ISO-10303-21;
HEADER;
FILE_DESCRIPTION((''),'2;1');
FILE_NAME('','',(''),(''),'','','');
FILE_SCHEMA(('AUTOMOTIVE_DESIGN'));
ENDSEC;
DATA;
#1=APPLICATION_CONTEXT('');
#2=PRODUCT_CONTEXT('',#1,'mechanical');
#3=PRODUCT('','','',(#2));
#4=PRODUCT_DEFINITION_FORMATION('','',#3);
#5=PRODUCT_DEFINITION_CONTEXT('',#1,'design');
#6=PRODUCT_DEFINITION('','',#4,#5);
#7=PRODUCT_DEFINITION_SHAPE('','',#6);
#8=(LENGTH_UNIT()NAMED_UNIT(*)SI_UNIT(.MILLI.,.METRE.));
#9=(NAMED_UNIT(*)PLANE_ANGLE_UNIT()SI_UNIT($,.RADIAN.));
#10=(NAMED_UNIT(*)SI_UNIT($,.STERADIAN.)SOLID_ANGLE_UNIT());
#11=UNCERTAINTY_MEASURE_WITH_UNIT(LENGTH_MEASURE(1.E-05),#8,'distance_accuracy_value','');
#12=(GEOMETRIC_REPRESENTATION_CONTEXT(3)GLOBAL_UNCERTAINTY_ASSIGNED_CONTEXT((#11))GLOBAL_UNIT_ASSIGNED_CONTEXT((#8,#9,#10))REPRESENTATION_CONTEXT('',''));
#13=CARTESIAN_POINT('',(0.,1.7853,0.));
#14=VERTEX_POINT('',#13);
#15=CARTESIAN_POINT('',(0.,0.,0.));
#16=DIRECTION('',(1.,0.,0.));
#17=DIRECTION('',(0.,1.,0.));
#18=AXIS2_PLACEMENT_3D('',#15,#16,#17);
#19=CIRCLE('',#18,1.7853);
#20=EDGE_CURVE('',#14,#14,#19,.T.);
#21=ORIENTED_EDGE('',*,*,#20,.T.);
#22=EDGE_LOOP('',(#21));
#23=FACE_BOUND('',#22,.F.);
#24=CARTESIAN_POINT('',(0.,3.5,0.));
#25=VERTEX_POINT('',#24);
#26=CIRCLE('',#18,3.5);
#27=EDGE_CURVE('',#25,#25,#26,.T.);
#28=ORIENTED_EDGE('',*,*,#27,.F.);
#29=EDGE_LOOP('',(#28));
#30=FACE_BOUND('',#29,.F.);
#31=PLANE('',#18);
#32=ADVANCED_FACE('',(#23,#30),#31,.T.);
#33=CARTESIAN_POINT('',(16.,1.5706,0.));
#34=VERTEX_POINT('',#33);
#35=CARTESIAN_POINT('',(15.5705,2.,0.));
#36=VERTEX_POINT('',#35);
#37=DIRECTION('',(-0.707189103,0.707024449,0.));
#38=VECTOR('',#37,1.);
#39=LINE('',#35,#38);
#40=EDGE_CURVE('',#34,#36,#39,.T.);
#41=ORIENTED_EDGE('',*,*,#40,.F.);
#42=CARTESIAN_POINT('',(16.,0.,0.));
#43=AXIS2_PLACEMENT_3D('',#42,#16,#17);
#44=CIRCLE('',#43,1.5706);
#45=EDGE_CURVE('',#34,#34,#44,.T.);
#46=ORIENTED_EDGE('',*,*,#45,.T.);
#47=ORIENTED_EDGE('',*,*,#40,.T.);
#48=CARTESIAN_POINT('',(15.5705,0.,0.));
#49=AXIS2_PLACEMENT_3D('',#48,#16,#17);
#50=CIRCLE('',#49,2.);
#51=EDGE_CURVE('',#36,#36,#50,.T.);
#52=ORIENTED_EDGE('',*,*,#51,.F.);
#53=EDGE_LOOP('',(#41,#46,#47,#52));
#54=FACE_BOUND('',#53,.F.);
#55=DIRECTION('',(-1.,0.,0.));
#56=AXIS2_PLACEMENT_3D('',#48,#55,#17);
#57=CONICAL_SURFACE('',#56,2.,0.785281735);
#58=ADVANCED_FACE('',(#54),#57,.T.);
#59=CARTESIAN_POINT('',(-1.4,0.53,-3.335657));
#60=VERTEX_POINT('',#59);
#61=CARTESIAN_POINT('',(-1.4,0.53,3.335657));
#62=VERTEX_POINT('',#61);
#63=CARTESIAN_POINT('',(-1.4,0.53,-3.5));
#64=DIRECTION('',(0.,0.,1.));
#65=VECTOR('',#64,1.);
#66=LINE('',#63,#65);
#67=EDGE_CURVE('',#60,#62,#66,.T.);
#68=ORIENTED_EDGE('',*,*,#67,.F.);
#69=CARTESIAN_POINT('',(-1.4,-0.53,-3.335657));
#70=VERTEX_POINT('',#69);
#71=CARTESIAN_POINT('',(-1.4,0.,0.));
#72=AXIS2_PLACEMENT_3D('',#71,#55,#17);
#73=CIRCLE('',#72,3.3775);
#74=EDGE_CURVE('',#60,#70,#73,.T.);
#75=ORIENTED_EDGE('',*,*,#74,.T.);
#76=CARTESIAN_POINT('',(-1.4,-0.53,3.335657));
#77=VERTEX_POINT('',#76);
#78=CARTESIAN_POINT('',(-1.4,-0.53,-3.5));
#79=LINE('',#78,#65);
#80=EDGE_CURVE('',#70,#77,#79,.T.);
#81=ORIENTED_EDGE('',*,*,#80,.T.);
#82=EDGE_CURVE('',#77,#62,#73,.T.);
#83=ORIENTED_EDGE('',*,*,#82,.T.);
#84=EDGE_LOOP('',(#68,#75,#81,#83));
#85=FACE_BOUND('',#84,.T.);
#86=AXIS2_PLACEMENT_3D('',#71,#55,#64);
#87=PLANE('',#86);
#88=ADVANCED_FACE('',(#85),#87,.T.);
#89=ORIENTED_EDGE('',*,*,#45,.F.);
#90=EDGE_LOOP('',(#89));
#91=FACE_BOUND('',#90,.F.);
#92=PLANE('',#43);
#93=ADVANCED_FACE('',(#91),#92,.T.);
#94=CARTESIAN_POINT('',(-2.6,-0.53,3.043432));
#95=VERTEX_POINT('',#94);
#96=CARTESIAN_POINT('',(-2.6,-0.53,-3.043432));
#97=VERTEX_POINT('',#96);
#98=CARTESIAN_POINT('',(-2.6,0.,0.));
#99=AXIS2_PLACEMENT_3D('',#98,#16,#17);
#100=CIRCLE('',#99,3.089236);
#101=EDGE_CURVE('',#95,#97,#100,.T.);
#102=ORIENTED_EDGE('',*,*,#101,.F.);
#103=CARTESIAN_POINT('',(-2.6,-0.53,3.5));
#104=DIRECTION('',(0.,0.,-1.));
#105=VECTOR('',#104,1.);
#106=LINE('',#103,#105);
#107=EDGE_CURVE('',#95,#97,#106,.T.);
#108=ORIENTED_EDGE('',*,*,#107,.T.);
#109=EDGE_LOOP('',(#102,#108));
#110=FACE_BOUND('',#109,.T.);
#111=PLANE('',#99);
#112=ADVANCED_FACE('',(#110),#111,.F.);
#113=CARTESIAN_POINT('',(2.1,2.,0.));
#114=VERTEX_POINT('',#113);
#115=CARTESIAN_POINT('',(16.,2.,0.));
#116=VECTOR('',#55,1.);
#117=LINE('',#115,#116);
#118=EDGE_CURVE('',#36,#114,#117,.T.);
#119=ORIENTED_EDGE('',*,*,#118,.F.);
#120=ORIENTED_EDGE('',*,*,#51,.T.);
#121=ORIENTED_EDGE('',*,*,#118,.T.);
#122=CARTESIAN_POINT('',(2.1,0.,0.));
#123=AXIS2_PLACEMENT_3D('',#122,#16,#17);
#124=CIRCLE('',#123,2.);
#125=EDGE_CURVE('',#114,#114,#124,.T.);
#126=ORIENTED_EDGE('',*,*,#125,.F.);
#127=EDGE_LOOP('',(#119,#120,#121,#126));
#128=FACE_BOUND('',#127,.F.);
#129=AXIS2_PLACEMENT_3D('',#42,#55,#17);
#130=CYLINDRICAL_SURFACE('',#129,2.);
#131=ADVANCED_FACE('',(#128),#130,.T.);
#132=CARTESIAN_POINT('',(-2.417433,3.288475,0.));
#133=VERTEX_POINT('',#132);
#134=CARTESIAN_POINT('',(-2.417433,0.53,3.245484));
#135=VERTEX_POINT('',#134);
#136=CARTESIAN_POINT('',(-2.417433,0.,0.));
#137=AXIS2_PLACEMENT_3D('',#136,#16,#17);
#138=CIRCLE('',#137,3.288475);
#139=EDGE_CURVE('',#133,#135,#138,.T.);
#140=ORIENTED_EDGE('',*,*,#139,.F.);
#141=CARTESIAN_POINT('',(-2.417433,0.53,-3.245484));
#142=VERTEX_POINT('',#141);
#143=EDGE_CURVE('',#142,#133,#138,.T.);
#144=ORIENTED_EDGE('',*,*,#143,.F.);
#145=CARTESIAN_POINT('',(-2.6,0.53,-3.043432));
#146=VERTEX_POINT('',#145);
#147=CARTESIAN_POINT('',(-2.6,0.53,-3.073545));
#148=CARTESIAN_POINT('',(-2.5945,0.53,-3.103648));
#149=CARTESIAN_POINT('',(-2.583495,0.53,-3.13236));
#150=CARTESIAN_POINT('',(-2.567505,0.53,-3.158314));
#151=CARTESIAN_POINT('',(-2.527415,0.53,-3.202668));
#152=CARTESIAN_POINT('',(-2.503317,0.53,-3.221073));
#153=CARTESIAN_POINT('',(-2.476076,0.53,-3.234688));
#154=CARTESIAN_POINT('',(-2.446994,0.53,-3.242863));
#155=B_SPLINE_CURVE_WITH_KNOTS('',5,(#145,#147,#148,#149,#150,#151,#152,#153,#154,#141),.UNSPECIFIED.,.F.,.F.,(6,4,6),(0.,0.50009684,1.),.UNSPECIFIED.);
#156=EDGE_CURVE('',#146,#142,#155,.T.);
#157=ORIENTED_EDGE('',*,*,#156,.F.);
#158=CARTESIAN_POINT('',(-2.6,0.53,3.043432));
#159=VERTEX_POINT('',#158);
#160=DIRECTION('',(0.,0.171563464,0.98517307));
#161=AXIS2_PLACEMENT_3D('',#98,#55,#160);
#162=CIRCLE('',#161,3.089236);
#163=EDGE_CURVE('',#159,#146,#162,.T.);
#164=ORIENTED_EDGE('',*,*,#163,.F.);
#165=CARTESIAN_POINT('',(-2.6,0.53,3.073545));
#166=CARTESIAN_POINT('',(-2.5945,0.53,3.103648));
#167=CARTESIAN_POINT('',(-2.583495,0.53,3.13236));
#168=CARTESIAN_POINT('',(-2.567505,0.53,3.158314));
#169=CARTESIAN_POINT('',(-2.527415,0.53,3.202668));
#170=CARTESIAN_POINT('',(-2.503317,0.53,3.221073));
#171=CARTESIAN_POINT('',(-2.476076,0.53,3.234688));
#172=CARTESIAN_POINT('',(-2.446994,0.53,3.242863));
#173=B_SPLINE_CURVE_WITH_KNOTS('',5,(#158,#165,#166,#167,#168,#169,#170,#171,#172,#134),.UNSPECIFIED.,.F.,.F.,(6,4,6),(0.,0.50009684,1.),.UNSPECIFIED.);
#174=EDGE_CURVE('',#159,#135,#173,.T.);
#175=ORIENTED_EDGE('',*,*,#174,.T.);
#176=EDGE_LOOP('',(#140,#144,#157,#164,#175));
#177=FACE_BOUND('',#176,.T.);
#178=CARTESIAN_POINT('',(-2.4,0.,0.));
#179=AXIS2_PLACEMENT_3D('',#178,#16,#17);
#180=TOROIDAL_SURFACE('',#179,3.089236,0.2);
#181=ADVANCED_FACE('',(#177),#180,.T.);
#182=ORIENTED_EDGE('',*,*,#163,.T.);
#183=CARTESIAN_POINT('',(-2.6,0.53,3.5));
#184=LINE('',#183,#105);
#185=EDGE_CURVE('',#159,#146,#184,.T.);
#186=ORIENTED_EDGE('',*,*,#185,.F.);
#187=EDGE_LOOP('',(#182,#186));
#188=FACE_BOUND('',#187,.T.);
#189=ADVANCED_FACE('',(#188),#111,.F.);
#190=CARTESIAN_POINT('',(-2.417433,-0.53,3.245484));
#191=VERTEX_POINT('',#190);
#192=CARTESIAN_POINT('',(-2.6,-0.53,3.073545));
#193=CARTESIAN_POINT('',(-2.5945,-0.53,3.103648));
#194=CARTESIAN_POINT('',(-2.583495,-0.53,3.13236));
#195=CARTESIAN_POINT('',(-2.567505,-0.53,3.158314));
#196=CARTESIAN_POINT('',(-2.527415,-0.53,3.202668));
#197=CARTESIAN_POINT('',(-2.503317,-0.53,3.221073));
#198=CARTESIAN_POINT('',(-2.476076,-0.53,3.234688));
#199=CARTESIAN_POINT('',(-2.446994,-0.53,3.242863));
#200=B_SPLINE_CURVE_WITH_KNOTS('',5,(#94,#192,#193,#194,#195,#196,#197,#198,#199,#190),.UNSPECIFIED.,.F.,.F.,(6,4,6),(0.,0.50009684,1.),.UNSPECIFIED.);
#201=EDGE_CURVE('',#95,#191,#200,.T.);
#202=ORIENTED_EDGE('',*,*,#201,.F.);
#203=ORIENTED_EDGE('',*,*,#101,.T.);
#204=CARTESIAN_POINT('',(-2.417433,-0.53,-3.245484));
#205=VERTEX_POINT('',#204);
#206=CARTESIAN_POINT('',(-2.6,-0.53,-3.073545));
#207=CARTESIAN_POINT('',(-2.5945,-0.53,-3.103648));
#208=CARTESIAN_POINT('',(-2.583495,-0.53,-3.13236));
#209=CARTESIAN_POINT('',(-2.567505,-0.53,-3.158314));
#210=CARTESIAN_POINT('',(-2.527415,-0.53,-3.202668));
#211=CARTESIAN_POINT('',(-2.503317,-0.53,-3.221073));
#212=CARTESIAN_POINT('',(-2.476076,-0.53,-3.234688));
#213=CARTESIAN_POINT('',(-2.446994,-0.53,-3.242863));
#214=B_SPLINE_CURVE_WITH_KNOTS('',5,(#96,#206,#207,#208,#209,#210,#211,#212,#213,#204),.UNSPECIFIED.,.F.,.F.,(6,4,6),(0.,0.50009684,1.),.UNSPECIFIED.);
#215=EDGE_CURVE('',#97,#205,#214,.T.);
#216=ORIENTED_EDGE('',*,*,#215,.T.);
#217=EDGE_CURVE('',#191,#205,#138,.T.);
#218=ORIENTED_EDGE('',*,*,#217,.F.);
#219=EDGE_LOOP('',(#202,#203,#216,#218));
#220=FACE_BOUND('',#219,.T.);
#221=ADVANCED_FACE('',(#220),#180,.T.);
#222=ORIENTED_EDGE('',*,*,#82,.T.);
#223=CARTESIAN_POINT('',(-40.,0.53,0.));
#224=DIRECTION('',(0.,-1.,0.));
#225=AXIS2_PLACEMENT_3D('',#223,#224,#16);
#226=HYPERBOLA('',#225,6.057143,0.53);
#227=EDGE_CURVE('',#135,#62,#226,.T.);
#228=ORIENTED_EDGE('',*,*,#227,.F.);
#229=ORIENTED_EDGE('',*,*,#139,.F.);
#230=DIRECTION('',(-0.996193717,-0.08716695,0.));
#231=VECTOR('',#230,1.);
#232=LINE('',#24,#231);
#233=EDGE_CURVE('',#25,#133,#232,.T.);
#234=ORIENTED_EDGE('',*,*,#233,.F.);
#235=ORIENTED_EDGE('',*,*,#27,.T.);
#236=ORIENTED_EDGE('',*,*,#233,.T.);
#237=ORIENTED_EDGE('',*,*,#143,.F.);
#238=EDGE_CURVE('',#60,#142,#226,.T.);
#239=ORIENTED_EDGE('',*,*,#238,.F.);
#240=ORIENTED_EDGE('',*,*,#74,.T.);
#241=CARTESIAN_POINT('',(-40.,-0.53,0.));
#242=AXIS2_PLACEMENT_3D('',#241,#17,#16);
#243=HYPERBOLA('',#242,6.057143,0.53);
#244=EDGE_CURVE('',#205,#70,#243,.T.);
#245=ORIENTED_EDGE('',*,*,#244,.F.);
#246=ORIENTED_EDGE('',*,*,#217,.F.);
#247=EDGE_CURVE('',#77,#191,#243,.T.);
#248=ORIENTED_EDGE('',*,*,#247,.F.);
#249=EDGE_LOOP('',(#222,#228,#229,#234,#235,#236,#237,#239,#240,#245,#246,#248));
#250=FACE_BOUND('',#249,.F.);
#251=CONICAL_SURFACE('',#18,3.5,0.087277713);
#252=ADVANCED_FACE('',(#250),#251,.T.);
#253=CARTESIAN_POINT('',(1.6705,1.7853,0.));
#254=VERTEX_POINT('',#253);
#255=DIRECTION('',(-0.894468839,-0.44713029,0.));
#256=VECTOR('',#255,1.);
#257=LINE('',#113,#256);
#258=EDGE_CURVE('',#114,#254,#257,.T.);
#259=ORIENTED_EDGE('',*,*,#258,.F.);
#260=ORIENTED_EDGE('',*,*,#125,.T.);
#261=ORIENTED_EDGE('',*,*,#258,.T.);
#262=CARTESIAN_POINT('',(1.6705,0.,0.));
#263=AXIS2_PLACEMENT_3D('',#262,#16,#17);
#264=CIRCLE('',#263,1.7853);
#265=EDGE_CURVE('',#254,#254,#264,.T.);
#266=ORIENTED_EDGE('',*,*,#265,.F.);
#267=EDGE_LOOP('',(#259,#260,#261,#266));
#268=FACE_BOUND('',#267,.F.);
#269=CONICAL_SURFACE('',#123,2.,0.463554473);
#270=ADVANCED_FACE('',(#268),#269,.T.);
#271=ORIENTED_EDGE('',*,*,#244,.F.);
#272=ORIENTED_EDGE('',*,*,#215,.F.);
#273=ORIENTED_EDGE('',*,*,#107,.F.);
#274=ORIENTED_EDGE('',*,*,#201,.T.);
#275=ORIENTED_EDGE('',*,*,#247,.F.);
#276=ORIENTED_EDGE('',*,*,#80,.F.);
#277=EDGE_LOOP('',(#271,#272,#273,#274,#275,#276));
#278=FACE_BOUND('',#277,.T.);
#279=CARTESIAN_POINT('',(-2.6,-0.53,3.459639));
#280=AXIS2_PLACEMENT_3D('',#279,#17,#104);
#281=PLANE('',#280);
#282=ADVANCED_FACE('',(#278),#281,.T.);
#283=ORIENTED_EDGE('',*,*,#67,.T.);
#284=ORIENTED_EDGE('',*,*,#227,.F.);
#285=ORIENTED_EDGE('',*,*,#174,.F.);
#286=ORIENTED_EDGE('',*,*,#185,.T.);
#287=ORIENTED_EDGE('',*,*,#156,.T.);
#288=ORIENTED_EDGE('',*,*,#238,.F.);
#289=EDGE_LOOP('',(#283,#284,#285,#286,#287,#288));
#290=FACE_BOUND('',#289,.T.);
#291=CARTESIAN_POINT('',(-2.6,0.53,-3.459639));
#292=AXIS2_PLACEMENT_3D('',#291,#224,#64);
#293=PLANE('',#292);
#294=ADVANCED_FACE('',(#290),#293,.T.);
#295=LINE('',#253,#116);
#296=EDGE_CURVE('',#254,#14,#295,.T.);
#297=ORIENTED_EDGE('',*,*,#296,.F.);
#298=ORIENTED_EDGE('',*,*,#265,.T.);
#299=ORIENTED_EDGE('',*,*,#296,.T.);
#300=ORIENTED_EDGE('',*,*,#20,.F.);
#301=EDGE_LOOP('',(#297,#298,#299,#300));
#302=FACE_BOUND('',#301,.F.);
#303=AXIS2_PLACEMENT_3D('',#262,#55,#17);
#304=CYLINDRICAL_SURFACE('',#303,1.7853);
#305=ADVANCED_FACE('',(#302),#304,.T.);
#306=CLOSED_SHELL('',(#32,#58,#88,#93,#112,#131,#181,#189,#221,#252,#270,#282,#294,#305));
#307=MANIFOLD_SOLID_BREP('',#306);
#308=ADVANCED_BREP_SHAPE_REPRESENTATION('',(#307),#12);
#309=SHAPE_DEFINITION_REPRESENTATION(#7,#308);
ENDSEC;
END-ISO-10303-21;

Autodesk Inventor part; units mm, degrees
ref_plane "YZ Plane" through (0, 0, 0) normal (1, 0, 0) x (0, 1, 0)
ref_plane "XZ Plane" through (0, 0, 0) normal (0, 1, 0) x (-1, 0, 0)
sketch "Эскиз1" plane through (0, 0, 0) normal (0, 0, 1) x (1, 0, 0)
  line L0 (-2.6, 0) -> (16, 0)
  line L1 (16, 0) -> (16, 2)
  line L2 (16, 2) -> (2.1, 2)
  line L3 (2.1, 2) -> (1.6705, 1.7853)
  line L4 (1.6705, 1.7853) -> (0, 1.7853)
  line L5 (0, 1.7853) -> (0, 3.5)
  line L6 (-6.32, 0) -> (19.72, 0) projected
  line L7 (0, -0.7) -> (0, 4.2) projected
  line L8 (-2.6, 0) -> (-2.6, 3.2725)
  line L9 (0, 3.5) -> (-2.6, 3.2725)
  line L10 (2.1, 2) -> (0, 2) construction
  dimension "d0" = 16
  dimension "d1" = 13.9
  dimension "d2" = 0.4295
  dimension "d3" = 2.6
  dimension "d4" = 4
  dimension "d5" = 3.5705
  dimension "d9" = 7
  dimension "d10" = 5
revolve "Базовый элемент" add sketch "Эскиз1" angle 360 about axis through (-2.6, 0, 0) along (1, 0, 0)
sketch "Эскиз2" plane through (-2.6, 0, 0) normal (-1, 0, 0) x (0, 0, 1)
  circle A0 centre (0, 0) radius 3.5 projected
  line L0 (0, 0) -> (0, 3.2725) projected
  line L1 (-3.5, 0.53) -> (3.5, 0.53)
  line L2 (3.5, 0.53) -> (3.5, -0.53)
  line L3 (3.5, -0.53) -> (-3.5, -0.53)
  line L4 (-3.5, -0.53) -> (-3.5, 0.53)
  line L5 (-3.5, 0) -> (3.5, 0) construction
  line L6 (0, 0.53) -> (0, -0.53) construction
  dimension "d11" = 1.06
  dimension "d12" = 7
fillet "Сопряжение1" radius 0.2 1 edges at (-2.6, -3.2725, 0)
extrude "Паз" cut sketch "Эскиз2" against normal blind 1.2 contours A0 L3 L1 | L2 L3 A0 | A0 L1 L2 | A0 L4 L1 | L3 L4 A0
thread "Резьба" size "M4x0.7" class "6g" standard "ISO Metric profile" length 13.9
chamfer "Фаска1" distance 0.4294 distance2 0.4295 1 edges at (16, -2, 0) measured on face at (16, 0.6473, -0.1595)
ref_plane "Work Plane1" through (30.1625, 0, 0) normal (0, 0, -1) x (1, 0, 0)
equation "\"d11\" = SBR"
equation "\"d12\" = KOD"
equation "\"d14\" = RR"
equation "\"d19\" = STI"
equation "\"d15\" = GEL"
equation "\"d17\" = -0.5 * SPD + 0.5 * GD"
equation "\"d0\" = NLG"
equation "\"d1\" = GEL"
equation "\"d3\" = KOH"
equation "\"d4\" = GD"
equation "\"d5\" = BDM"
equation "\"d9\" = KOD"
equation "\"d10\" = KEWI"
equation "\"GD\" = NND"
equation "\"NLG\" = 16"
equation "\"GEL\" = 13.9"
equation "\"KOD\" = 7"
equation "\"KOH\" = 2.6"
equation "\"GAL\" = 0.61345 * PTC"
equation "\"SPD\" = NND - 1.2269 * PTC"
equation "\"BDM\" = 3.5705"
equation "\"GUL\" = 0.61345 * PTC"
equation "\"RR\" = 0.2"
equation "\"SBR\" = 1.06"
equation "\"STI\" = 1.2"
equation "\"KEWI\" = 5deg"
equation "\"PTC\" = 0.7"
equation "\"THREADDIA\" = 4"
equation "\"TOA\" = 30deg"
equation "\"NND\" = 4"
equation "\"GD1\" = THREADDIA - 1.2269 * PTC"
properties part number "CSN 02 1131 - M4 x 16" material "Сталь, мягкая"
